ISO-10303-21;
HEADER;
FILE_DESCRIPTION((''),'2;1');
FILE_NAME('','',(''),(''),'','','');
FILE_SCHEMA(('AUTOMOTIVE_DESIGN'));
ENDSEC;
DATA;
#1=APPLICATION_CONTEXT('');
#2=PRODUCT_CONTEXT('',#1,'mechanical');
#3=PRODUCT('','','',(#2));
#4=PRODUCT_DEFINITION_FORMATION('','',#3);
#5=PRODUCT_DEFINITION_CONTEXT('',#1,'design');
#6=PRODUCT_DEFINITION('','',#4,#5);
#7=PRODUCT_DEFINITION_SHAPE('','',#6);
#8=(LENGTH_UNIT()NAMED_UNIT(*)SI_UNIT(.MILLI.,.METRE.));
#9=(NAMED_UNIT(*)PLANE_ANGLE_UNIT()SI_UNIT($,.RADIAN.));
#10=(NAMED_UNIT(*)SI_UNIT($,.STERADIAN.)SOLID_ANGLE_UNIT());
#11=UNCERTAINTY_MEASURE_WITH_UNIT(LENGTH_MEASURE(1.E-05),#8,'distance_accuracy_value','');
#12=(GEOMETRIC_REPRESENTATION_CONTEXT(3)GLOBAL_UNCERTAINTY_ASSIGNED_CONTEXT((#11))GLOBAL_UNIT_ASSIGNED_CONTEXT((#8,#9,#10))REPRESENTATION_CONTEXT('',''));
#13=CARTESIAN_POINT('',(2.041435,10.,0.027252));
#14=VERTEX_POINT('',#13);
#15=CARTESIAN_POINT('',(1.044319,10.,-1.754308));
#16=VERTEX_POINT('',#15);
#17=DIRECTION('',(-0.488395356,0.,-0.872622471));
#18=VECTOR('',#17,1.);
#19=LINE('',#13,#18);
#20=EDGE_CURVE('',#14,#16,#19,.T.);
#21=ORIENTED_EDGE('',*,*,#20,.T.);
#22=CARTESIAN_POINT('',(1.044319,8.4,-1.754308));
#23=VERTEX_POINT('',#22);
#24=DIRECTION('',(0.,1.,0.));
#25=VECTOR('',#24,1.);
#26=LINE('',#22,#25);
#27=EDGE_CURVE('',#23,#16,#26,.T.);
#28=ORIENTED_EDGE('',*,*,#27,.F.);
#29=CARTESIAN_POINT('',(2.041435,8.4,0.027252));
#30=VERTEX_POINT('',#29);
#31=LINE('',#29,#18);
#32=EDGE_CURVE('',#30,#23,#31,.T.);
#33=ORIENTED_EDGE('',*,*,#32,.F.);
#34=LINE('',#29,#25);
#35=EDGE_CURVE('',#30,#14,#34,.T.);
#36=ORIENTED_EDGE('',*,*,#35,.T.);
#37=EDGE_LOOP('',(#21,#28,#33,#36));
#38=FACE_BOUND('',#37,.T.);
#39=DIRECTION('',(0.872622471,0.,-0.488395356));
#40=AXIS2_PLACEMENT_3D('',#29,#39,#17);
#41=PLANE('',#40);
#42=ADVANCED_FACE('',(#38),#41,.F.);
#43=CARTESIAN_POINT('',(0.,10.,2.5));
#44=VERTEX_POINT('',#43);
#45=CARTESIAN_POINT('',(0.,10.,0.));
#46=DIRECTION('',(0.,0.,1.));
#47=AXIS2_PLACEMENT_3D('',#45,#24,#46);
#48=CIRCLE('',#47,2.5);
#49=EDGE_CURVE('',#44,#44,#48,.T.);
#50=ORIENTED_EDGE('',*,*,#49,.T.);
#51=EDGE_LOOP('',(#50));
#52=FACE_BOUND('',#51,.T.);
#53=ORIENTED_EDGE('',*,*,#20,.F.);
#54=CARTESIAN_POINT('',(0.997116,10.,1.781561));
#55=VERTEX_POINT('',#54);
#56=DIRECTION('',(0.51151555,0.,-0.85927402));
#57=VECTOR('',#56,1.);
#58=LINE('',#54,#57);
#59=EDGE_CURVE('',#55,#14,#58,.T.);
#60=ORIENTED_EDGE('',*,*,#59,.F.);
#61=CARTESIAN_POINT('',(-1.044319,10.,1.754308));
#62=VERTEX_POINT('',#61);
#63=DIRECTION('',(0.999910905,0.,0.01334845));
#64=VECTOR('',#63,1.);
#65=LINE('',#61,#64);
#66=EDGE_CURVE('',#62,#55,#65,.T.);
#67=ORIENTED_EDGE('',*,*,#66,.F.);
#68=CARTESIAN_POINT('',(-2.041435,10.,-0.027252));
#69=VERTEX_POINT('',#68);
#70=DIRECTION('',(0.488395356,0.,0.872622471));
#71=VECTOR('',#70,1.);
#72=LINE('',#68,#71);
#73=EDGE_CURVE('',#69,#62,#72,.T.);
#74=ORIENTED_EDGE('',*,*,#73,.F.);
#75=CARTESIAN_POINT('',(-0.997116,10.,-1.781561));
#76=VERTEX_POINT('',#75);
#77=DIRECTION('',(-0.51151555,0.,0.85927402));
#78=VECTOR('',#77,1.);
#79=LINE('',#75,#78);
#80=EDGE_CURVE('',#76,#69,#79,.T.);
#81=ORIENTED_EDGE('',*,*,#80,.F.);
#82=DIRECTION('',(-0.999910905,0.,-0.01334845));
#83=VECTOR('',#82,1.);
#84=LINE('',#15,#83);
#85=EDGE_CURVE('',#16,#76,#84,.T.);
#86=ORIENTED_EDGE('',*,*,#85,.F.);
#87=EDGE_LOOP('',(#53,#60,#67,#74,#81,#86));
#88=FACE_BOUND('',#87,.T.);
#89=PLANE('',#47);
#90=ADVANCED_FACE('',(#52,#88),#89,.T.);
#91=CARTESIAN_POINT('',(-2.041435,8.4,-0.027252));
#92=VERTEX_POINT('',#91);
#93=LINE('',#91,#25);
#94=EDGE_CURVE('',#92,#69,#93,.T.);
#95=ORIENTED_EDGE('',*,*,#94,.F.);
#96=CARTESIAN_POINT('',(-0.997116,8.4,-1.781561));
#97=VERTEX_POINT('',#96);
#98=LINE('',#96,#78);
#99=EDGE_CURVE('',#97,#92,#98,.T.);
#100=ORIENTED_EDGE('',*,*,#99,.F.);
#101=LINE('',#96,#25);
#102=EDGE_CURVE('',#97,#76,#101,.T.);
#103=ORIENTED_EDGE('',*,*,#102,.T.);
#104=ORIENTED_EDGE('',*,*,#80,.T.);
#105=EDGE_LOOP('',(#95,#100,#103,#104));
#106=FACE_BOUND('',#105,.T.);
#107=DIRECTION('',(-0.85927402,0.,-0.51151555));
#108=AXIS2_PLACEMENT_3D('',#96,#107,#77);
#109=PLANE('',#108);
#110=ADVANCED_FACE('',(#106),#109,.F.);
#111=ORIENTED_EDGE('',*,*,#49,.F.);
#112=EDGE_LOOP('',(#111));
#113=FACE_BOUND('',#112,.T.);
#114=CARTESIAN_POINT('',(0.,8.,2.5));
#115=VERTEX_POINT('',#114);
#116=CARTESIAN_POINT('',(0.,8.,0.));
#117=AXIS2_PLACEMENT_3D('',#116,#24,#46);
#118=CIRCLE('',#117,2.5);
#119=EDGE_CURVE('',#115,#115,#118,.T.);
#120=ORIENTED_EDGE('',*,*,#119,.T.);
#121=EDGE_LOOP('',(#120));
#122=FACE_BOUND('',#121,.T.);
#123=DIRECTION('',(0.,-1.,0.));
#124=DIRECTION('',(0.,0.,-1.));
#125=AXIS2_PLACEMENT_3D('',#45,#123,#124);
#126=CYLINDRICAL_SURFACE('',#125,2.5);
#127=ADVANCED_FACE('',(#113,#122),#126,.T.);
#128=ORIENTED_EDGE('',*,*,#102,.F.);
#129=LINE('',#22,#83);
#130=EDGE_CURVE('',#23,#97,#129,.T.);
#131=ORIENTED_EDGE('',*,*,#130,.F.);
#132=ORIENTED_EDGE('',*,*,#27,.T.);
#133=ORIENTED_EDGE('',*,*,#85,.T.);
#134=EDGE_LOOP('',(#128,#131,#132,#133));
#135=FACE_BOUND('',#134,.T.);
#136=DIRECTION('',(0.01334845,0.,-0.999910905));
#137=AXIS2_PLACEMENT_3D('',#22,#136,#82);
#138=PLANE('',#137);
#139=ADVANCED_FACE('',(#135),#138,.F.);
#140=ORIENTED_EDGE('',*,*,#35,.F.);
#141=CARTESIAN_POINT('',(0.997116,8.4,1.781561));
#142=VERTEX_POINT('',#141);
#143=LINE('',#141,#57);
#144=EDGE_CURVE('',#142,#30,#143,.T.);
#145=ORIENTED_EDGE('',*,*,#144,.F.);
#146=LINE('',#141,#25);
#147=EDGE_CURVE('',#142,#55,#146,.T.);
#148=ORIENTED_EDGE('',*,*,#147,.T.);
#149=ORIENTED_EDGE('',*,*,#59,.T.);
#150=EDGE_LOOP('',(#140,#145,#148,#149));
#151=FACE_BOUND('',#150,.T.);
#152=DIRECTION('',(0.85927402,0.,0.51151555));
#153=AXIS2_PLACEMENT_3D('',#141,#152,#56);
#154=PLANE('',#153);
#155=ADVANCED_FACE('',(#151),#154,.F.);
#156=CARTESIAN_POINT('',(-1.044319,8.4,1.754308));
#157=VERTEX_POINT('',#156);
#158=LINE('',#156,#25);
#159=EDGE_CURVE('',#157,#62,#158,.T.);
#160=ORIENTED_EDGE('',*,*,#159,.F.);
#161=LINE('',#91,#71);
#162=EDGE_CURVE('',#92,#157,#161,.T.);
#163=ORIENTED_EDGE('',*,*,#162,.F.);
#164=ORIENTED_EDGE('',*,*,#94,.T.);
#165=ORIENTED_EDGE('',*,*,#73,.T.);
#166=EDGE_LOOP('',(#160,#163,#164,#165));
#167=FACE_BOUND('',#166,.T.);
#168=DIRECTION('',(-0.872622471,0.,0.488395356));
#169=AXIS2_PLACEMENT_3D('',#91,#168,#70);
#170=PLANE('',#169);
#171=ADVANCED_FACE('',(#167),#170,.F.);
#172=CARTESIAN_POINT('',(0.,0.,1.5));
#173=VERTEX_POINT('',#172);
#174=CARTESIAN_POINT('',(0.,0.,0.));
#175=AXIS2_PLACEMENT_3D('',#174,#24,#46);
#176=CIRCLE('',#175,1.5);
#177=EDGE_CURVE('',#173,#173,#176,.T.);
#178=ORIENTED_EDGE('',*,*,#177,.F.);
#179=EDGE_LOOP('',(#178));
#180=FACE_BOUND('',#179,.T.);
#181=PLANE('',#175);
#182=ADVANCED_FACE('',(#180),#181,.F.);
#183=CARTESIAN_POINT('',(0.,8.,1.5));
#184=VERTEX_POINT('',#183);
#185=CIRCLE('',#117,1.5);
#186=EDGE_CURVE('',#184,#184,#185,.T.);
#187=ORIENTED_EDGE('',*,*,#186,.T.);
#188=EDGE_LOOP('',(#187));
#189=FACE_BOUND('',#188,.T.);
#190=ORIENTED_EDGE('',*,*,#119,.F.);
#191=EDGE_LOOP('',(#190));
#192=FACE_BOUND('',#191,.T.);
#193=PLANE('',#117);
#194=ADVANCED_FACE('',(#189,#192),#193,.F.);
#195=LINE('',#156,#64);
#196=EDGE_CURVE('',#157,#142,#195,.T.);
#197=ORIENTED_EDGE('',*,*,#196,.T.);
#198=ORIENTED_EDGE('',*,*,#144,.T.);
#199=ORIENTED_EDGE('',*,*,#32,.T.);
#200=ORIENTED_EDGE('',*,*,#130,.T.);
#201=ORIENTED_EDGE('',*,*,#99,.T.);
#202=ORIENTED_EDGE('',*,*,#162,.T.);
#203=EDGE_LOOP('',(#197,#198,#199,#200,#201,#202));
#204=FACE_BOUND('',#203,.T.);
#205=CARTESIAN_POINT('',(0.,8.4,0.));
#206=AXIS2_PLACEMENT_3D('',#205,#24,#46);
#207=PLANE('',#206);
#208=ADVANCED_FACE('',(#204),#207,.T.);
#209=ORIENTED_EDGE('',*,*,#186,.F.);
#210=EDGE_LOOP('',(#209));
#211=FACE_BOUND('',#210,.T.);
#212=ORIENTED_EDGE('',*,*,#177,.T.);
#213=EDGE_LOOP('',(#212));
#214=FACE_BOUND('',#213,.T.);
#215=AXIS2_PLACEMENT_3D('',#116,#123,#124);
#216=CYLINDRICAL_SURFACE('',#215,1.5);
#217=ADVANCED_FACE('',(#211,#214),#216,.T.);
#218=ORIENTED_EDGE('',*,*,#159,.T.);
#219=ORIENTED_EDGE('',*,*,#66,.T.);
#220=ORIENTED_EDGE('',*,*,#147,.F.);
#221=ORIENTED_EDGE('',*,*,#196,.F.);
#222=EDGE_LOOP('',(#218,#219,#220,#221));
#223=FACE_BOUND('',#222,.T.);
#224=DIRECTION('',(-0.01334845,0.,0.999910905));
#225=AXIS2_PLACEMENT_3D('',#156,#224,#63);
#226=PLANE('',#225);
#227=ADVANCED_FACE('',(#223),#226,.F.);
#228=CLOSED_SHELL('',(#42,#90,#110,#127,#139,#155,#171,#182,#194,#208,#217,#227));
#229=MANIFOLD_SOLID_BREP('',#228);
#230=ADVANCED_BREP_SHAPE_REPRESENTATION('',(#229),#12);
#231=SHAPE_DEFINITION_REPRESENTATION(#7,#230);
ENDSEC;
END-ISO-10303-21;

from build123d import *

# Parameters (mm, degrees)
SKETCH1_R           = 1.5
BOSS_EXTRUDE1_DEPTH = 8
SKETCH2_R           = 2.5
BOSS_EXTRUDE2_DEPTH = 2
CUT_EXTRUDE2_DEPTH  = 1.6


with BuildPart() as part:
    # Sketch1 → Boss-Extrude1 (new body)
    with BuildSketch(Plane(origin=(0, 0, 0), x_dir=(1, 0, 0), z_dir=(0, 1, 0))):
        Circle(SKETCH1_R)
    extrude(amount=BOSS_EXTRUDE1_DEPTH)

    # Sketch2 → Boss-Extrude2 (add)
    with BuildSketch(Plane(origin=(0, 8, 0), x_dir=(1, 0, 0), z_dir=(0, 1, 0))):
        Circle(SKETCH2_R)
    extrude(amount=BOSS_EXTRUDE2_DEPTH)

    # Sketch3 → Cut-Extrude2 (cut)
    with BuildSketch(Plane(origin=(0, 10, 0), x_dir=(1, 0, 0), z_dir=(0, 1, 0))):
        Polygon((0.997116077, -1.781560543), (2.041434727, -0.027252418), (1.04431865, 1.754308125), (-0.997116077, 1.781560543), (-2.041434727, 0.027252418), (-1.04431865, -1.754308125), align=None)
    extrude(amount=-CUT_EXTRUDE2_DEPTH, mode=Mode.SUBTRACT)


solid = part.part
